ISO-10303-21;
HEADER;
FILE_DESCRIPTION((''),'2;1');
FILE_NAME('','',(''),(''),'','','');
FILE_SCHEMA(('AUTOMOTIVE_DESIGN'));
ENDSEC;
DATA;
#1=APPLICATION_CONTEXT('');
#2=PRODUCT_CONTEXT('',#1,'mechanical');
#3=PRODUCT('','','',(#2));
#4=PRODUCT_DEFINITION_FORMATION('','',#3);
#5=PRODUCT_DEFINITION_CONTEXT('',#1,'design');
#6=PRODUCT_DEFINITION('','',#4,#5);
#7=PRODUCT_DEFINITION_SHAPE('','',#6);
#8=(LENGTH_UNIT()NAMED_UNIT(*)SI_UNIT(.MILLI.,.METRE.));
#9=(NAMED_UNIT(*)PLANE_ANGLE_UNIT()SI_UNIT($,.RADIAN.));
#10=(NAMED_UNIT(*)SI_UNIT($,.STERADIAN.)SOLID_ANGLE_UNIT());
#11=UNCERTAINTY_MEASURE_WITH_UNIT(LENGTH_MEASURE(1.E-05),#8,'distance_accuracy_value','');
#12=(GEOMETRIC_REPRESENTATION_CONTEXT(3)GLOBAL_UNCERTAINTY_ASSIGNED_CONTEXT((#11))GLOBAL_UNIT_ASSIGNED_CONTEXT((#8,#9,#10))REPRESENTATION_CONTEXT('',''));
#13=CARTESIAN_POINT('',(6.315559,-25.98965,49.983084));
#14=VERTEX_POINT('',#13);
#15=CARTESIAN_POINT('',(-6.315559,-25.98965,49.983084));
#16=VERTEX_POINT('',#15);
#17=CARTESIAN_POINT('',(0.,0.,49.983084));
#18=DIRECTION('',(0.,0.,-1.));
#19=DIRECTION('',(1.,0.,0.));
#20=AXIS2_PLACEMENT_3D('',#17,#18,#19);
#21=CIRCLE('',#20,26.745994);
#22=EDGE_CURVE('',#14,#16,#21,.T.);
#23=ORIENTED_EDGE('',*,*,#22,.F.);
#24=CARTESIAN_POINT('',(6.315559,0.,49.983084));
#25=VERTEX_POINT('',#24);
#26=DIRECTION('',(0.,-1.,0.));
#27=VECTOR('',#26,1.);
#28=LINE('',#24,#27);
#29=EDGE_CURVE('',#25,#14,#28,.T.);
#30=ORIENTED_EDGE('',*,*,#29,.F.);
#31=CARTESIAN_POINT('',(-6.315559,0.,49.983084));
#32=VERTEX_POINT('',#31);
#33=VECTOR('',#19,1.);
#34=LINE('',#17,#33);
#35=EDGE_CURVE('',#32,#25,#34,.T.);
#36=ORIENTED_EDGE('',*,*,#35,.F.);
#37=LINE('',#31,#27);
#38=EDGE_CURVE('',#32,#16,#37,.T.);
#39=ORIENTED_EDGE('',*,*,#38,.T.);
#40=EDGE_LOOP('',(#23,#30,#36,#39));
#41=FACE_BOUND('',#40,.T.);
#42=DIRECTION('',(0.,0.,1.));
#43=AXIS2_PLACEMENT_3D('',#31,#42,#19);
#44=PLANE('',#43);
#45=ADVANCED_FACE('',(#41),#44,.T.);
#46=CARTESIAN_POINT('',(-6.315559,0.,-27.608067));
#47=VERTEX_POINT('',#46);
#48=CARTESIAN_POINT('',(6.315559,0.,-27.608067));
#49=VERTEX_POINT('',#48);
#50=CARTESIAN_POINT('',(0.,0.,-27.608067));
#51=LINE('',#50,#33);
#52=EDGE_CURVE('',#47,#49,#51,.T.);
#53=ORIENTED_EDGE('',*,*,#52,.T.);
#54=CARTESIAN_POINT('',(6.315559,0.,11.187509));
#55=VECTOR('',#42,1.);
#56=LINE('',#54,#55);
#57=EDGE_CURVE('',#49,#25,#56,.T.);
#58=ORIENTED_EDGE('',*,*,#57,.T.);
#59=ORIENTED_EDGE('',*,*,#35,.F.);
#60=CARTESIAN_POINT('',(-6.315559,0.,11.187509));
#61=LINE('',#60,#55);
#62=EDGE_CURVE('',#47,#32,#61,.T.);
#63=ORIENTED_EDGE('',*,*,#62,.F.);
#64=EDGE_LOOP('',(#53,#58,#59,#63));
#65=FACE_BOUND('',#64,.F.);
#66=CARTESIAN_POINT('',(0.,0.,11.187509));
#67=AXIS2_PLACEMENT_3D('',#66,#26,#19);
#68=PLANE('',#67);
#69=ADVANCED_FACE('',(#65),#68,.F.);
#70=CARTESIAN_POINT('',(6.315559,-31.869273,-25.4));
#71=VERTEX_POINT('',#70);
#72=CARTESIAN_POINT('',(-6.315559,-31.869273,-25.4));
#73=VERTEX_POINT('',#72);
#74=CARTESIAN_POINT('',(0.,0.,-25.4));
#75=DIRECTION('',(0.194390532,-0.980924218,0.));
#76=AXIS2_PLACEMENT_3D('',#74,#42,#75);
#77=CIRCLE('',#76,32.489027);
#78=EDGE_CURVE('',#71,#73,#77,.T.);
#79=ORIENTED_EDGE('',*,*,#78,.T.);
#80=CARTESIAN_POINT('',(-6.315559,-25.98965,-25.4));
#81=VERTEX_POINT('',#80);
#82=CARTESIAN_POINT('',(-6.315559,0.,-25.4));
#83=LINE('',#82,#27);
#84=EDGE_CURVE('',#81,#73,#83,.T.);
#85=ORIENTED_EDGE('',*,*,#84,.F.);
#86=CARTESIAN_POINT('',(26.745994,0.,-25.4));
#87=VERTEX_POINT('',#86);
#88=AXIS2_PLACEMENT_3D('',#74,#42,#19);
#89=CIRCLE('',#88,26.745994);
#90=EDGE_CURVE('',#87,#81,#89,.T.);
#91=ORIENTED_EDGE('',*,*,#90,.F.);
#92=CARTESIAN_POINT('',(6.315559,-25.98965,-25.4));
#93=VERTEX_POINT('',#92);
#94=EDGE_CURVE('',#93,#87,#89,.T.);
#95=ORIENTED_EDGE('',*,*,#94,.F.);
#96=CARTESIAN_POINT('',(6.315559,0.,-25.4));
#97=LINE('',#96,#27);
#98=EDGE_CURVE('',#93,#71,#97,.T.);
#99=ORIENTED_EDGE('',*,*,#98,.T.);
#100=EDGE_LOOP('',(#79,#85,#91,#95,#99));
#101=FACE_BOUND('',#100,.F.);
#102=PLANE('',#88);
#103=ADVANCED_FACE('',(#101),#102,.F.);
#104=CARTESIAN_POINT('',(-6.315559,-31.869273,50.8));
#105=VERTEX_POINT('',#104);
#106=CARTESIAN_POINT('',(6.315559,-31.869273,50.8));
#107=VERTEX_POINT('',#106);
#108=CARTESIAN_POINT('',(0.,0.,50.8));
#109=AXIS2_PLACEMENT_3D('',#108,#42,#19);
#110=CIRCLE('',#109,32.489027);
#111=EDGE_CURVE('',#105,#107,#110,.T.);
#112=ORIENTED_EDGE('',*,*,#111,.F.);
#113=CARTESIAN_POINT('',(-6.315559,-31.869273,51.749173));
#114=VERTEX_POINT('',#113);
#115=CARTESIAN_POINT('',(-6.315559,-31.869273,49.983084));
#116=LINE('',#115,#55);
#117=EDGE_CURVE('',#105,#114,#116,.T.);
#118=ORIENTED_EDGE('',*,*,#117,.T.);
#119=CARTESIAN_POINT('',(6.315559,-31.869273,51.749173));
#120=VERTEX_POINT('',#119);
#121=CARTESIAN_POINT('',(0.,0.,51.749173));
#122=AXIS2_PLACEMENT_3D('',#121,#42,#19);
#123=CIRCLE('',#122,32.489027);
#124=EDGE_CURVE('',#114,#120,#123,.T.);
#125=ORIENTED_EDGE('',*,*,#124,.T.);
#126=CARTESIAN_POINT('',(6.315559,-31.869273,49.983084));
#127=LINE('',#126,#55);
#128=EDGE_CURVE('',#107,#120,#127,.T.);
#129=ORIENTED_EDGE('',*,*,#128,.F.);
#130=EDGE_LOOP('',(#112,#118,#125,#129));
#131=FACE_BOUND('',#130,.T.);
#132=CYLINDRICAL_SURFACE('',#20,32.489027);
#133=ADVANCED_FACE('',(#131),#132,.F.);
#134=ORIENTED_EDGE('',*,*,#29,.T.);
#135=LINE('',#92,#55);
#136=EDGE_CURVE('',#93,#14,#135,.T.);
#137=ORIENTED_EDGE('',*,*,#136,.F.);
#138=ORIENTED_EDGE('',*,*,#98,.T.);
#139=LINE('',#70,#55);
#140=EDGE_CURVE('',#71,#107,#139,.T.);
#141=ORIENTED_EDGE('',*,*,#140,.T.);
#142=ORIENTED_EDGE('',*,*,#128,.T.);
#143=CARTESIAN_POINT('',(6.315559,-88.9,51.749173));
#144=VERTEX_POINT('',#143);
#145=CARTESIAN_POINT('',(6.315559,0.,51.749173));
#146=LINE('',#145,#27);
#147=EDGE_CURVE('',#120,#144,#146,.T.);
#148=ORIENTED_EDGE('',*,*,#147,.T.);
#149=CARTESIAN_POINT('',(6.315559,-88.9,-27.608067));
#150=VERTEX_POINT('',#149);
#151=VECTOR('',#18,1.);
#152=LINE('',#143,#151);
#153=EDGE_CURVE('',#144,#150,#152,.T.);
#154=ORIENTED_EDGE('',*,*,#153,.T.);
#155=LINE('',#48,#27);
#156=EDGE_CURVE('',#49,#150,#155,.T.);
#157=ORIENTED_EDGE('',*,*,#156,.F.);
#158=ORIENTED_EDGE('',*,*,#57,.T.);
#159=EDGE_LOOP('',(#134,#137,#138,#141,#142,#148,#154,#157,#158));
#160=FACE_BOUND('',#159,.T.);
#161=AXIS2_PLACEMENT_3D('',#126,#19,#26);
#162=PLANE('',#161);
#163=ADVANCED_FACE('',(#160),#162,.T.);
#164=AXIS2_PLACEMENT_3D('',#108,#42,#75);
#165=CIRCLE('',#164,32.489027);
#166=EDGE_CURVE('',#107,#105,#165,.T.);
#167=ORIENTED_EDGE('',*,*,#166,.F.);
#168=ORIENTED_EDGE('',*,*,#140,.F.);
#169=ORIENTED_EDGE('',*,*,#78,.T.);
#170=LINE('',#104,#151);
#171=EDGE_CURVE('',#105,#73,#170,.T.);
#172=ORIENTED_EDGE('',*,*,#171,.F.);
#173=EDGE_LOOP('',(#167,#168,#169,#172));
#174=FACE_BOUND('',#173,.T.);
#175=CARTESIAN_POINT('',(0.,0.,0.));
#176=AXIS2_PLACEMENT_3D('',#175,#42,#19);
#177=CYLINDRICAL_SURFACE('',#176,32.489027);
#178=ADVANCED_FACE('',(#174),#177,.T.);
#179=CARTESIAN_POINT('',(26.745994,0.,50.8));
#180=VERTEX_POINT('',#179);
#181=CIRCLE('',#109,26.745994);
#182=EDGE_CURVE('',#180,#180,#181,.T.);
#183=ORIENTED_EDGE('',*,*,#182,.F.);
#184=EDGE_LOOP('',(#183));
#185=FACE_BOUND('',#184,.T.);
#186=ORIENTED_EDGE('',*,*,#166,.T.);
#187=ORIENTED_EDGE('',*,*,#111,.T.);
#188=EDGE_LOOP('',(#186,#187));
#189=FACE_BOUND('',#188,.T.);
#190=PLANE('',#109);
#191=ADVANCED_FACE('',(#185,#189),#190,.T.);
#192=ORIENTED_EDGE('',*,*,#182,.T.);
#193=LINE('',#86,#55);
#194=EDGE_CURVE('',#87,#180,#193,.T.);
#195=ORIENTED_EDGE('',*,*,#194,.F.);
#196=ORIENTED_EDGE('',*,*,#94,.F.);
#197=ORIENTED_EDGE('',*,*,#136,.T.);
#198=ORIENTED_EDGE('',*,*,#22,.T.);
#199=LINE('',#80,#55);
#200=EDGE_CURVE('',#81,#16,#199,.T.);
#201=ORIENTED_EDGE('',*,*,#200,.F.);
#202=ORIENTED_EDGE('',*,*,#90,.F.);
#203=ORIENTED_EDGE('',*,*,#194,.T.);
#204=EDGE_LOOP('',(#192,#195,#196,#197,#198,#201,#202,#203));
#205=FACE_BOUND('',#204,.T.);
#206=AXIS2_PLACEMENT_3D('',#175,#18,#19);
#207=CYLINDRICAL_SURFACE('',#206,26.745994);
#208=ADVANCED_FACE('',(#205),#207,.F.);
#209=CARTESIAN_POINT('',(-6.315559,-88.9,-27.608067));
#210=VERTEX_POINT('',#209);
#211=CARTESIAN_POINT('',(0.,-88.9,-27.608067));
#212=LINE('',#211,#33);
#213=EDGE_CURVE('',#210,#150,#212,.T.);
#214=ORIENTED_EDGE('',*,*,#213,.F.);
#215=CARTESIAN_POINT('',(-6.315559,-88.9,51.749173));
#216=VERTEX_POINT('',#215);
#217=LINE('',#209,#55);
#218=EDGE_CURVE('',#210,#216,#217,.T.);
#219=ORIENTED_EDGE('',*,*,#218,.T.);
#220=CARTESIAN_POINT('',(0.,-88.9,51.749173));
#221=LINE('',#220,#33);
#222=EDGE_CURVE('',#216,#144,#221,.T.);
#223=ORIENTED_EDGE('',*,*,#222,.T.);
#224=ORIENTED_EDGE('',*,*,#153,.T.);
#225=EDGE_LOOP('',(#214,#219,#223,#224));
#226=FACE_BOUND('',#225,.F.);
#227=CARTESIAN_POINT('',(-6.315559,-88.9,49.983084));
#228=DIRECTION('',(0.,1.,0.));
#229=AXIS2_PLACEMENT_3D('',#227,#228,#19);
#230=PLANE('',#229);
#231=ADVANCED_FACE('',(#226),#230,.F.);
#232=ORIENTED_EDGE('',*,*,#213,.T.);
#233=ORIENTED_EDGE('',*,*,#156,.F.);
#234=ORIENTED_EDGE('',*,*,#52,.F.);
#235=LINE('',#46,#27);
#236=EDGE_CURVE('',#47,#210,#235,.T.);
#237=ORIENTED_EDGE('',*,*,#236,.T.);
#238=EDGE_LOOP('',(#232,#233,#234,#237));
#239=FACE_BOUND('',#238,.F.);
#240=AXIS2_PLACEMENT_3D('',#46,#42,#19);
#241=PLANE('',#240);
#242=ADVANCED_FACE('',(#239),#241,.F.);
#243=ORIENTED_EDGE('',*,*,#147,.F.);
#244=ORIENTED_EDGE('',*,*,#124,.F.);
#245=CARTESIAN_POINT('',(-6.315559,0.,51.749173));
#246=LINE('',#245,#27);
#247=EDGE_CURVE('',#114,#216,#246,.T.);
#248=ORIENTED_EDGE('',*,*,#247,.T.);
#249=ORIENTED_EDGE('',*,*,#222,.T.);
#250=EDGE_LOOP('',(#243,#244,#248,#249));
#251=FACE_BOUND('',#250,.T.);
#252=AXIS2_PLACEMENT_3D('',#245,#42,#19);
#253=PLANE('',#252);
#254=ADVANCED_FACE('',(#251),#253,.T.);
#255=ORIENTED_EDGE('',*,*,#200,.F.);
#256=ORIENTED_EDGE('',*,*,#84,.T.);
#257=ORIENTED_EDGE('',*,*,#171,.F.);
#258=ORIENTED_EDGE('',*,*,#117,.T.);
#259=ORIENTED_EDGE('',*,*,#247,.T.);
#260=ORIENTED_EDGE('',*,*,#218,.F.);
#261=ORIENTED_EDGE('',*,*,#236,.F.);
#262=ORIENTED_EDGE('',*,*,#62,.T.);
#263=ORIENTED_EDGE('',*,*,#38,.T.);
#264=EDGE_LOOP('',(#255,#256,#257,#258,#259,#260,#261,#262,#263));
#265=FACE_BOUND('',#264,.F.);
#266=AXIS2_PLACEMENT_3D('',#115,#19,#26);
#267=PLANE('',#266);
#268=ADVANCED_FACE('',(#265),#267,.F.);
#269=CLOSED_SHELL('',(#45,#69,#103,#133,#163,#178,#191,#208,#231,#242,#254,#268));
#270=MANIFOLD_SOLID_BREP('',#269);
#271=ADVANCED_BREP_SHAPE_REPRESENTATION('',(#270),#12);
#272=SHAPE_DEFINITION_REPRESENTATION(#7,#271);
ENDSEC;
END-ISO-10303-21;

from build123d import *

# Parameters (mm, degrees)
F0_R     = 32.4890265079
F0_R_2   = 26.7459939795
F1_DEPTH = 50.8
F2_DEPTH = 25.4
F3_W     = 12.6311182976
F3_H     = 77.5911509991
F4_DEPTH = 88.9
F5_DEPTH = 1.7660884187


with BuildPart() as f1:
    # F0 (on Top) → F1 (new body)
    with BuildSketch(Plane.XY):
        Circle(F0_R)
        Circle(F0_R_2, mode=Mode.SUBTRACT)
    extrude(amount=F1_DEPTH)

    # F2 (add): a face of the model
    f2_faces = [f1.faces().sort_by_distance(p)[0] for p in [
        (-31.5700980696, 0, 0),
    ]]
    extrude(f2_faces, amount=F2_DEPTH)

    # F3 (on Front) → F4 (join)
    with BuildSketch(Plane.XZ):
        with Locations((0, 11.1875087023)):
            Rectangle(F3_W, F3_H)
    extrude(amount=F4_DEPTH)

    # F5 (add): a face of the model
    f5_faces = [f1.faces().sort_by_distance(p)[0] for p in [
        (0, -60.5913176327, 49.9830842018),
    ]]
    extrude(f5_faces, amount=F5_DEPTH)


solid = f1.part
